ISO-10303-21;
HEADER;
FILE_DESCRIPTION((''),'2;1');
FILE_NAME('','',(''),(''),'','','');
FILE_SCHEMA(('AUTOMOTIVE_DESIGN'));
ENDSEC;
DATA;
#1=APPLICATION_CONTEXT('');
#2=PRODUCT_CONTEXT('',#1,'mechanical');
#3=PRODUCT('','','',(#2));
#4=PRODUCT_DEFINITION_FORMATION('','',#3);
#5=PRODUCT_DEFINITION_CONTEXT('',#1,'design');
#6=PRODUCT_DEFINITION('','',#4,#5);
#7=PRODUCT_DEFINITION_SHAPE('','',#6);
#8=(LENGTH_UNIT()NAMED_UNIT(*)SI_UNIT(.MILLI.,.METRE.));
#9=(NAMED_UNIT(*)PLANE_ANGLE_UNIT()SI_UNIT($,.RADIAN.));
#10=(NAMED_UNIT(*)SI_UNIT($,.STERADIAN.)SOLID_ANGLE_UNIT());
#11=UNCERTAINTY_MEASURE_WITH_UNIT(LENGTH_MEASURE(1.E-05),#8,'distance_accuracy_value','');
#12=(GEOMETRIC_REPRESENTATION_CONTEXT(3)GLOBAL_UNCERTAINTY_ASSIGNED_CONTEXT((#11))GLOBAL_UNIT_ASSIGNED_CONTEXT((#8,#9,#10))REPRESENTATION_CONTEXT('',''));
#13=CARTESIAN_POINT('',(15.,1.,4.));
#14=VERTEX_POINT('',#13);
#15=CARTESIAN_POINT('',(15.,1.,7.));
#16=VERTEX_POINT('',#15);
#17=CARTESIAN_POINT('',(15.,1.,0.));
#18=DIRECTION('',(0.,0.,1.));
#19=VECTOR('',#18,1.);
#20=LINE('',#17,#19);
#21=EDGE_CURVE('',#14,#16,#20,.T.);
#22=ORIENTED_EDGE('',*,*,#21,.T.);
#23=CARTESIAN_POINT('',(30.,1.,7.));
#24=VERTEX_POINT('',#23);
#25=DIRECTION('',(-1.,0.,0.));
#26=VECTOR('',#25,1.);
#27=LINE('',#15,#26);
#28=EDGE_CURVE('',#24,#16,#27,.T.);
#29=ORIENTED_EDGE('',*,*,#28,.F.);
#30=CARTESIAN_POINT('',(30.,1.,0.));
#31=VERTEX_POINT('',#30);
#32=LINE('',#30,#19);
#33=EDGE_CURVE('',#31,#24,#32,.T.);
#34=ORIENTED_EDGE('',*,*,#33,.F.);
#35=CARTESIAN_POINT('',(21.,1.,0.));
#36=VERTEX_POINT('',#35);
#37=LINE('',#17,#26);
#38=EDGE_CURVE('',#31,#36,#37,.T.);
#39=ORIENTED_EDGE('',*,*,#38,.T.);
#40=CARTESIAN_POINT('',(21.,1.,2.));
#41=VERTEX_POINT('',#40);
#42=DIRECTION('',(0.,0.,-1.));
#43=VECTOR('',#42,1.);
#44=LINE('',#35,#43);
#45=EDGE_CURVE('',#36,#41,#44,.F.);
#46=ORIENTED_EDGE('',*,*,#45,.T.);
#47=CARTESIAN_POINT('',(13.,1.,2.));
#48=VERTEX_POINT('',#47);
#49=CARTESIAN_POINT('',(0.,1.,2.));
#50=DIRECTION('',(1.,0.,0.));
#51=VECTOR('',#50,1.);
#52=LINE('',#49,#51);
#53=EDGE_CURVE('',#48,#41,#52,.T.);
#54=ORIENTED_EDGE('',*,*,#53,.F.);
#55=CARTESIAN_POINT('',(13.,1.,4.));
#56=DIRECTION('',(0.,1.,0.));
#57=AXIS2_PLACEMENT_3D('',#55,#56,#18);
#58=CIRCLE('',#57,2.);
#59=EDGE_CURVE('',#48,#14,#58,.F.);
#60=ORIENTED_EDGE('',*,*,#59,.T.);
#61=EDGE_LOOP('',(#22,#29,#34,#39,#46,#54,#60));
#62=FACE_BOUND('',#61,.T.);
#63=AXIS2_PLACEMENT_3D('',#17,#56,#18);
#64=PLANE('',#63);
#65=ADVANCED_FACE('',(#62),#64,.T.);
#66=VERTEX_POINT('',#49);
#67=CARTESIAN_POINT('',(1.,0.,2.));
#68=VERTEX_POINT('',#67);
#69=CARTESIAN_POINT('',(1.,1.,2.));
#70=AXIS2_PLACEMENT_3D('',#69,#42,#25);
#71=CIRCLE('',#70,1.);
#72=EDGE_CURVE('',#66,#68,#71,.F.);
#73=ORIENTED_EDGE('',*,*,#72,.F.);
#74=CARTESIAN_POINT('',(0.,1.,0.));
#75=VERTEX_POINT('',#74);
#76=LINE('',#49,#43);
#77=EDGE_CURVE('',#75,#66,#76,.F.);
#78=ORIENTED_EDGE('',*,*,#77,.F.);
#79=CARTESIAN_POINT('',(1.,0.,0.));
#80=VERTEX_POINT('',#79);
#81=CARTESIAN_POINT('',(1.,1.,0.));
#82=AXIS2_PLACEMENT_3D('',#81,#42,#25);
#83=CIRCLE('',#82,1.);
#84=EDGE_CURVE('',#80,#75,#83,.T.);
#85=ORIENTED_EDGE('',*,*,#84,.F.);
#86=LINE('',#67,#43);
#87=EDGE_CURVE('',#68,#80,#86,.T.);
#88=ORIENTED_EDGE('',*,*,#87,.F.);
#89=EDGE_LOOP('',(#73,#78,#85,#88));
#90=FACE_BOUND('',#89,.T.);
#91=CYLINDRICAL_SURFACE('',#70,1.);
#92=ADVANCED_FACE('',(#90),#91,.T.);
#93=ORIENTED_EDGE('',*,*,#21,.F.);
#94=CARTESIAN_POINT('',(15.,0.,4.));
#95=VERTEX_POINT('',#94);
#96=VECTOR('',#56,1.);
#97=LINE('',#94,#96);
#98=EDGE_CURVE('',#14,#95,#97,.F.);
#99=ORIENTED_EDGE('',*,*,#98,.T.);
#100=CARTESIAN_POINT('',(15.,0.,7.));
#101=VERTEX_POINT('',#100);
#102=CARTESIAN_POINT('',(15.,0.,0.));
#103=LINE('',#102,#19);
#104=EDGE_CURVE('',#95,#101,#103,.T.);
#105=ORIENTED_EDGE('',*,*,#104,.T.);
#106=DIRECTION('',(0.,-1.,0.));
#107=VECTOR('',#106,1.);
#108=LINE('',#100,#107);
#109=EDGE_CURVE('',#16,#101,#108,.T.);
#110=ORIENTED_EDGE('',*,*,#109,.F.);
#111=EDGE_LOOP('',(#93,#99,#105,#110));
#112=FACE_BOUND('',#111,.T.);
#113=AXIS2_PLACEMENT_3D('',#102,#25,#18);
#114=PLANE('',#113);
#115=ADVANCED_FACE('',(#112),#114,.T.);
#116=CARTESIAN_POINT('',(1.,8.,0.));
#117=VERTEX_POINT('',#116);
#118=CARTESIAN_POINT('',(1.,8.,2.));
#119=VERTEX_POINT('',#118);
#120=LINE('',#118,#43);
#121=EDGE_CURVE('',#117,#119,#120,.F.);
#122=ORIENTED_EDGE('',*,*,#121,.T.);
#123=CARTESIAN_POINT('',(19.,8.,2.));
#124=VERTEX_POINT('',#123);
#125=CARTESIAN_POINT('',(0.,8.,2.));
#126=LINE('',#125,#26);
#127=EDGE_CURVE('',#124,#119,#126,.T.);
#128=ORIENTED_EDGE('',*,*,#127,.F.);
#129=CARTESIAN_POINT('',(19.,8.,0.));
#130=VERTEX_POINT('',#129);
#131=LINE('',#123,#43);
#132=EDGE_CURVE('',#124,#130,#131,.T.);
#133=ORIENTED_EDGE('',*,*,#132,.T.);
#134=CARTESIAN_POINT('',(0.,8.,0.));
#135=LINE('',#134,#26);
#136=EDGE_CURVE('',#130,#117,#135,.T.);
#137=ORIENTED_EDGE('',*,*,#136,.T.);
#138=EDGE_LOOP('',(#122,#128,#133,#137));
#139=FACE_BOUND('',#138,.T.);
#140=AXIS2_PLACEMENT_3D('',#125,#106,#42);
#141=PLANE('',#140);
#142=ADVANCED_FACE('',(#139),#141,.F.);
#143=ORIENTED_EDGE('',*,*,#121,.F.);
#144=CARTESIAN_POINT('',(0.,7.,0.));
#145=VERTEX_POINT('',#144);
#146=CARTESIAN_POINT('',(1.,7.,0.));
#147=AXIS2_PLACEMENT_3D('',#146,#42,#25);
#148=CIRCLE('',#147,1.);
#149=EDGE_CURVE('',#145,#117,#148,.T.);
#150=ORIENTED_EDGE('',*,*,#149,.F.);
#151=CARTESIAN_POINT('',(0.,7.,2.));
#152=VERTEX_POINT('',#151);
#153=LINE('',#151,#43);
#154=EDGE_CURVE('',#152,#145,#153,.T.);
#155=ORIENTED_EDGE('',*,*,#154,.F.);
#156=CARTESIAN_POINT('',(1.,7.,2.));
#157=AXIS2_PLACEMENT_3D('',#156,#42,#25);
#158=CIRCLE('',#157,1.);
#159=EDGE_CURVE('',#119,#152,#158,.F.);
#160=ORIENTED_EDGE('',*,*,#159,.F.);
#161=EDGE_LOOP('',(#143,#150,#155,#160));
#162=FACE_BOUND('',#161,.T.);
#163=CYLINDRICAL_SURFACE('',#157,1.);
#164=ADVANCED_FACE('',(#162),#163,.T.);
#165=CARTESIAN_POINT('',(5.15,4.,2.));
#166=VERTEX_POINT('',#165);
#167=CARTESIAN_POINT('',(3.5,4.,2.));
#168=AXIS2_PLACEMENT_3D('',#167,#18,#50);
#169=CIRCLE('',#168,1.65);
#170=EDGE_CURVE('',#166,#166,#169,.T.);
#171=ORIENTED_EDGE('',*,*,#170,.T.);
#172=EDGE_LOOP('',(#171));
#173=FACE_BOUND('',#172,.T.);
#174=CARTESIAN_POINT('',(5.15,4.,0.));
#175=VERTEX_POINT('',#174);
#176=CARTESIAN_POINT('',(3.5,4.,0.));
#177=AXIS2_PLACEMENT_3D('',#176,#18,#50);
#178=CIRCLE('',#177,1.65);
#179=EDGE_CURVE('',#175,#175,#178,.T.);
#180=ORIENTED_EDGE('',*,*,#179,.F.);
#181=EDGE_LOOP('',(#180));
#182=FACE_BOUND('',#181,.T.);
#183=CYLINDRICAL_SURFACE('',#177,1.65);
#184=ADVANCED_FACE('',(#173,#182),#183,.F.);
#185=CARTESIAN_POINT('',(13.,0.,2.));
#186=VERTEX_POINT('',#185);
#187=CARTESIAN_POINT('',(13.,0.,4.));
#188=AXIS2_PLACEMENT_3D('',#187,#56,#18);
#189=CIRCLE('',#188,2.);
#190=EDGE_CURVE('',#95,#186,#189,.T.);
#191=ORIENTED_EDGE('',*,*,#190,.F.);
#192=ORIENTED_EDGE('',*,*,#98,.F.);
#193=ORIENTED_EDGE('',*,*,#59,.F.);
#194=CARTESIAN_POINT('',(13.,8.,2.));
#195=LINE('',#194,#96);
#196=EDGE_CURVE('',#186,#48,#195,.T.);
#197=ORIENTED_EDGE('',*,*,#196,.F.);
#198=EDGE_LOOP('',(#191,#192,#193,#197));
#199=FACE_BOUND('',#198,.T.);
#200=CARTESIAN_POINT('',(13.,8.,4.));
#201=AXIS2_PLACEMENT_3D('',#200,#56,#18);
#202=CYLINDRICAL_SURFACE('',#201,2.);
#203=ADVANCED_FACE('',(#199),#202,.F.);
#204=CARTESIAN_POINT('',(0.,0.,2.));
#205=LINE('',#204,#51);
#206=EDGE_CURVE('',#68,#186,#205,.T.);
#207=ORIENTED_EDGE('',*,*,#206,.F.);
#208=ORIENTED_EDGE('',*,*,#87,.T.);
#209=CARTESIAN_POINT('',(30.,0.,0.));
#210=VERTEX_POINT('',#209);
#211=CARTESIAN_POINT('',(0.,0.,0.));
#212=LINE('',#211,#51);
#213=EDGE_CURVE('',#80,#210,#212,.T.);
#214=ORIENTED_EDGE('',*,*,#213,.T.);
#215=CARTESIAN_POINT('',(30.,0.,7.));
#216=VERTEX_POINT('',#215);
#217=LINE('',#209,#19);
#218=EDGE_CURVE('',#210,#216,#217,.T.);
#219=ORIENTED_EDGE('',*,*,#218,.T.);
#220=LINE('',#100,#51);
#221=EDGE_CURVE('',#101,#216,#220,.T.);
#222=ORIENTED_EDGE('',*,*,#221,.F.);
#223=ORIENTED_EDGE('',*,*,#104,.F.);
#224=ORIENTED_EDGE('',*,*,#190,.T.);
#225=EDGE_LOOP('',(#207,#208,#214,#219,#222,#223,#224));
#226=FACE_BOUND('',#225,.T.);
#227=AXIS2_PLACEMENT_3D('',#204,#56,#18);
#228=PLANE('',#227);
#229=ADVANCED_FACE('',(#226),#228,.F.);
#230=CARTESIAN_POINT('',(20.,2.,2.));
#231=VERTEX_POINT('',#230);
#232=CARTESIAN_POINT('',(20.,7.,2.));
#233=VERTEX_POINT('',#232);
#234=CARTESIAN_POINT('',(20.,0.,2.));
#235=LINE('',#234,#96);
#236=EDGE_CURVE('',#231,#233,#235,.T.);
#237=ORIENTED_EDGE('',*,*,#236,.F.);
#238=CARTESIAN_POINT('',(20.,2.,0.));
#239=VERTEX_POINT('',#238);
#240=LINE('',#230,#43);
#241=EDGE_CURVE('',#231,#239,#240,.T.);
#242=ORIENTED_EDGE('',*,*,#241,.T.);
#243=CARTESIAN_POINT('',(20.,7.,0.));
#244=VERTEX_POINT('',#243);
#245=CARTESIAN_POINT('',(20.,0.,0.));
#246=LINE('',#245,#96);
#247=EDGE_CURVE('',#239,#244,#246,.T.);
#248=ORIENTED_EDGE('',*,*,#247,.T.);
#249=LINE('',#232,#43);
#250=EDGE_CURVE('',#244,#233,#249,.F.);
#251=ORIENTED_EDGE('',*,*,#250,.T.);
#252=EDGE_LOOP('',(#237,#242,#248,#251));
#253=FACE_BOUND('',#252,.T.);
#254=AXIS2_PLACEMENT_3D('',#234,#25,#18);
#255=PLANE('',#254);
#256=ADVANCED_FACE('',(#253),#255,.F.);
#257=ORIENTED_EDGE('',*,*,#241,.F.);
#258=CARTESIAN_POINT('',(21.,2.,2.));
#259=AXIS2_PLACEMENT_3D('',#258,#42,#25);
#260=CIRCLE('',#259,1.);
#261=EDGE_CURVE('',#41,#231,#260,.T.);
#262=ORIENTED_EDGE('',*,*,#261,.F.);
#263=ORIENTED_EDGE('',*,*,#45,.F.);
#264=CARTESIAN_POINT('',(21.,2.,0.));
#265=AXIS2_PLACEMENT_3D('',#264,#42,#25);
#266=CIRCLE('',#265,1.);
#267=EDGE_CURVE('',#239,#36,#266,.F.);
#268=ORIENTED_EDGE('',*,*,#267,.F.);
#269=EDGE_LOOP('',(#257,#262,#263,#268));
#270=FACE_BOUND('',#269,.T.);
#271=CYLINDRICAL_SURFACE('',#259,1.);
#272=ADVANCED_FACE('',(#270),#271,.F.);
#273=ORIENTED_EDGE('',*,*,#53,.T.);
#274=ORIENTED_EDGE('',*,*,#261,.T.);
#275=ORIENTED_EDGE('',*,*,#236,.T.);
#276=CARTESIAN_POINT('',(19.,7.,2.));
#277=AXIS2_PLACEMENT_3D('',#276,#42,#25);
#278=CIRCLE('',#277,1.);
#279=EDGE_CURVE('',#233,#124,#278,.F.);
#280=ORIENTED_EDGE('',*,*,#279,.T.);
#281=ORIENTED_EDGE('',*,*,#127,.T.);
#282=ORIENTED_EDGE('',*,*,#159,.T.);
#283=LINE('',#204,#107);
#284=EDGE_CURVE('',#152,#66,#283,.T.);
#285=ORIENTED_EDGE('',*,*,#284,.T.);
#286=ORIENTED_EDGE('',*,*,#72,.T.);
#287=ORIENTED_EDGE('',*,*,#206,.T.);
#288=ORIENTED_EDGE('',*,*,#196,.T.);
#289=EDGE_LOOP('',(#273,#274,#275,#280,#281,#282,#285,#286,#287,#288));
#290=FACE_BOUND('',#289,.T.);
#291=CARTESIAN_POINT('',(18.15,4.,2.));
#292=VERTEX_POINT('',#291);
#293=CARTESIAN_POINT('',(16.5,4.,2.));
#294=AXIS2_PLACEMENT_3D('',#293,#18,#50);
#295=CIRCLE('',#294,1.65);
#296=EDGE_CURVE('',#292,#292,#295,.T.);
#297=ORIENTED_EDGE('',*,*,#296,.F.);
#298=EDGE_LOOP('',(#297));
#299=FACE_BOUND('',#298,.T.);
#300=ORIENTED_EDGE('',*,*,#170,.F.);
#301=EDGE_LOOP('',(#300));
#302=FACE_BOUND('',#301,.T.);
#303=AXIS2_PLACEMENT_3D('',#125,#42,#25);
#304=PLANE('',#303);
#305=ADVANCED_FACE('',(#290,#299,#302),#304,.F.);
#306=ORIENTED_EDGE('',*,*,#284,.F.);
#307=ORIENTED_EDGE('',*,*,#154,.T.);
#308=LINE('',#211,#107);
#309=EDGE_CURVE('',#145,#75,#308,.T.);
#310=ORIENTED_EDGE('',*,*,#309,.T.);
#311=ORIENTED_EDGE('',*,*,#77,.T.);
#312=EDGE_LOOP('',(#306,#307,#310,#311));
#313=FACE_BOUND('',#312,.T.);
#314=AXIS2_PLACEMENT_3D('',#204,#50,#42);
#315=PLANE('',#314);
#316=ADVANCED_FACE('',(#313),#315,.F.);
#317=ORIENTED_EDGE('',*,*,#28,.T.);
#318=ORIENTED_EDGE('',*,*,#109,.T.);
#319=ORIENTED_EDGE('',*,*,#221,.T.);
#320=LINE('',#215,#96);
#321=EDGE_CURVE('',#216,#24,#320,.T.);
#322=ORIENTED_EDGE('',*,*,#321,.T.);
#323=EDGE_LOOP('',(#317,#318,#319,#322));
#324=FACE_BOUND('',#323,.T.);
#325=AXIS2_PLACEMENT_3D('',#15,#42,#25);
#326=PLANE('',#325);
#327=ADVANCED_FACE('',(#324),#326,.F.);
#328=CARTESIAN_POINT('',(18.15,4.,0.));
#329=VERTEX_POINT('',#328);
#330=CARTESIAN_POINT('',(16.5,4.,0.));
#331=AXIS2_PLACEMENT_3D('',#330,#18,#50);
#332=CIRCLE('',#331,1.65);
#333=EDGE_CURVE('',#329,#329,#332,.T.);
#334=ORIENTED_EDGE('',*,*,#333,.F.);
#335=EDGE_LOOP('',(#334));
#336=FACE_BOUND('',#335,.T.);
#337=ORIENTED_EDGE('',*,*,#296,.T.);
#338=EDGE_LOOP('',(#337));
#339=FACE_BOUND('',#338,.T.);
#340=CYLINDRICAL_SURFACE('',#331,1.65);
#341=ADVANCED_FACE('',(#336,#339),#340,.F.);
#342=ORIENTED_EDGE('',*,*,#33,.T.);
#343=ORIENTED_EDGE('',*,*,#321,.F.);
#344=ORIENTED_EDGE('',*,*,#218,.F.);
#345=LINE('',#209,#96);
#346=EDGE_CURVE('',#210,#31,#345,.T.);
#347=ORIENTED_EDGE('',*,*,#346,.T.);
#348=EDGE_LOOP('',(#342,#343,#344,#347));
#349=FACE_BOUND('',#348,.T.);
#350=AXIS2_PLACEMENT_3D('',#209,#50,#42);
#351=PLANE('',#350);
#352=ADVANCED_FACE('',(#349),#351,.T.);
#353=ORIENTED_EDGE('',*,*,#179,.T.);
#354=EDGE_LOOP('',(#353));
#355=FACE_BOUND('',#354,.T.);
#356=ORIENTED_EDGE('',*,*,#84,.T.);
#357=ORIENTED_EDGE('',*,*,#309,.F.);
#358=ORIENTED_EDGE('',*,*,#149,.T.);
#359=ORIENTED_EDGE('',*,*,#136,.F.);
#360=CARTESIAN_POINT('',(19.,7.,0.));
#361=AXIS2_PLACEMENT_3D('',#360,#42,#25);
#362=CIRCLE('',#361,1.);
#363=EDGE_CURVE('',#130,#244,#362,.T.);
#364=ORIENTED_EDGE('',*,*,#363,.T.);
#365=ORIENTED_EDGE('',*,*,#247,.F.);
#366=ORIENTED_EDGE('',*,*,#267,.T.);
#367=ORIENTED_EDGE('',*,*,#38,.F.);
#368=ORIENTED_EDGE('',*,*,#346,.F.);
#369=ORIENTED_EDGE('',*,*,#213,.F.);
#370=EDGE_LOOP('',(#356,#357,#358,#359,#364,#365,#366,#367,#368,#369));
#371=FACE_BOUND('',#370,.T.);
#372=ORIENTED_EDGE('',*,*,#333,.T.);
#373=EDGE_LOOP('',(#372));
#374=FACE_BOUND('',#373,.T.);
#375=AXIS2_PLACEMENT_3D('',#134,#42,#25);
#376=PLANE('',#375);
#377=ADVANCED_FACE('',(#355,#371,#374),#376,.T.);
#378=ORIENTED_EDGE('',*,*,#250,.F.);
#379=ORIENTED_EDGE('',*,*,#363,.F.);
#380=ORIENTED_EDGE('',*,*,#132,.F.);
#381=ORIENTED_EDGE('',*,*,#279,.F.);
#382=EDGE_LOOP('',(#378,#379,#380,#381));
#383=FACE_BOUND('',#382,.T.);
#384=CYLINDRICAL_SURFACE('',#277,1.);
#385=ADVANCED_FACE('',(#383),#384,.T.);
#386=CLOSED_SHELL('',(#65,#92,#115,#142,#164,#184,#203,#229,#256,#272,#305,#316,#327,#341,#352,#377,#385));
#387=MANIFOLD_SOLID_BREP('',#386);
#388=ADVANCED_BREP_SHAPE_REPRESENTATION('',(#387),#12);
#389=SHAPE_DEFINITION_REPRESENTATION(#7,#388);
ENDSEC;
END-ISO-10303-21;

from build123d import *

# Parameters (mm, degrees)
SKETCH1_W                = 20
SKETCH1_H                = 8
BOSS_EXTRUDE1_DEPTH      = 2
SKETCH2_W                = 15
SKETCH2_H                = 1
BOSS_EXTRUDE2_DEPTH      = 5
BOSS_EXTRUDE2_DEPTH_BACK = 2
SKETCH3_R                = 1.65
CUT_EXTRUDE1_DEPTH       = 3
FILLET1_R                = 1
FILLET2_R                = 2


with BuildPart() as part:
    # Sketch1 → Boss-Extrude1 (new body)
    with BuildSketch(Plane.XY):
        with Locations((10, 4)):
            Rectangle(SKETCH1_W, SKETCH1_H)
    extrude(amount=BOSS_EXTRUDE1_DEPTH)

    # Sketch2 → Boss-Extrude2 (add, two sides)
    with BuildSketch(Plane.XY.offset(2)) as boss_extrude2_sk:
        with Locations((22.5, 0.5)):
            Rectangle(SKETCH2_W, SKETCH2_H)
    extrude(amount=BOSS_EXTRUDE2_DEPTH)
    extrude(boss_extrude2_sk.sketch, amount=-BOSS_EXTRUDE2_DEPTH_BACK)

    # Sketch3 → Cut-Extrude1 (cut, through all)
    with BuildSketch(Plane.XY.offset(2)):
        with Locations((3.5, 4)):
            Circle(SKETCH3_R)
        with Locations((16.5, 4)):
            Circle(SKETCH3_R)
    extrude(amount=-CUT_EXTRUDE1_DEPTH, mode=Mode.SUBTRACT)

    # Fillet1
    fillet1_edges = [part.edges().sort_by_distance(p)[0] for p in [
        (20, 1, 1),
        (0, 8, 1),
        (20, 8, 1),
        (0, 0, 1),
    ]]
    fillet(fillet1_edges, radius=FILLET1_R)

    # Fillet2
    fillet2_edges = [part.edges().sort_by_distance(p)[0] for p in [
        (15, 0.5, 2),
    ]]
    fillet(fillet2_edges, radius=FILLET2_R)


solid = part.part
